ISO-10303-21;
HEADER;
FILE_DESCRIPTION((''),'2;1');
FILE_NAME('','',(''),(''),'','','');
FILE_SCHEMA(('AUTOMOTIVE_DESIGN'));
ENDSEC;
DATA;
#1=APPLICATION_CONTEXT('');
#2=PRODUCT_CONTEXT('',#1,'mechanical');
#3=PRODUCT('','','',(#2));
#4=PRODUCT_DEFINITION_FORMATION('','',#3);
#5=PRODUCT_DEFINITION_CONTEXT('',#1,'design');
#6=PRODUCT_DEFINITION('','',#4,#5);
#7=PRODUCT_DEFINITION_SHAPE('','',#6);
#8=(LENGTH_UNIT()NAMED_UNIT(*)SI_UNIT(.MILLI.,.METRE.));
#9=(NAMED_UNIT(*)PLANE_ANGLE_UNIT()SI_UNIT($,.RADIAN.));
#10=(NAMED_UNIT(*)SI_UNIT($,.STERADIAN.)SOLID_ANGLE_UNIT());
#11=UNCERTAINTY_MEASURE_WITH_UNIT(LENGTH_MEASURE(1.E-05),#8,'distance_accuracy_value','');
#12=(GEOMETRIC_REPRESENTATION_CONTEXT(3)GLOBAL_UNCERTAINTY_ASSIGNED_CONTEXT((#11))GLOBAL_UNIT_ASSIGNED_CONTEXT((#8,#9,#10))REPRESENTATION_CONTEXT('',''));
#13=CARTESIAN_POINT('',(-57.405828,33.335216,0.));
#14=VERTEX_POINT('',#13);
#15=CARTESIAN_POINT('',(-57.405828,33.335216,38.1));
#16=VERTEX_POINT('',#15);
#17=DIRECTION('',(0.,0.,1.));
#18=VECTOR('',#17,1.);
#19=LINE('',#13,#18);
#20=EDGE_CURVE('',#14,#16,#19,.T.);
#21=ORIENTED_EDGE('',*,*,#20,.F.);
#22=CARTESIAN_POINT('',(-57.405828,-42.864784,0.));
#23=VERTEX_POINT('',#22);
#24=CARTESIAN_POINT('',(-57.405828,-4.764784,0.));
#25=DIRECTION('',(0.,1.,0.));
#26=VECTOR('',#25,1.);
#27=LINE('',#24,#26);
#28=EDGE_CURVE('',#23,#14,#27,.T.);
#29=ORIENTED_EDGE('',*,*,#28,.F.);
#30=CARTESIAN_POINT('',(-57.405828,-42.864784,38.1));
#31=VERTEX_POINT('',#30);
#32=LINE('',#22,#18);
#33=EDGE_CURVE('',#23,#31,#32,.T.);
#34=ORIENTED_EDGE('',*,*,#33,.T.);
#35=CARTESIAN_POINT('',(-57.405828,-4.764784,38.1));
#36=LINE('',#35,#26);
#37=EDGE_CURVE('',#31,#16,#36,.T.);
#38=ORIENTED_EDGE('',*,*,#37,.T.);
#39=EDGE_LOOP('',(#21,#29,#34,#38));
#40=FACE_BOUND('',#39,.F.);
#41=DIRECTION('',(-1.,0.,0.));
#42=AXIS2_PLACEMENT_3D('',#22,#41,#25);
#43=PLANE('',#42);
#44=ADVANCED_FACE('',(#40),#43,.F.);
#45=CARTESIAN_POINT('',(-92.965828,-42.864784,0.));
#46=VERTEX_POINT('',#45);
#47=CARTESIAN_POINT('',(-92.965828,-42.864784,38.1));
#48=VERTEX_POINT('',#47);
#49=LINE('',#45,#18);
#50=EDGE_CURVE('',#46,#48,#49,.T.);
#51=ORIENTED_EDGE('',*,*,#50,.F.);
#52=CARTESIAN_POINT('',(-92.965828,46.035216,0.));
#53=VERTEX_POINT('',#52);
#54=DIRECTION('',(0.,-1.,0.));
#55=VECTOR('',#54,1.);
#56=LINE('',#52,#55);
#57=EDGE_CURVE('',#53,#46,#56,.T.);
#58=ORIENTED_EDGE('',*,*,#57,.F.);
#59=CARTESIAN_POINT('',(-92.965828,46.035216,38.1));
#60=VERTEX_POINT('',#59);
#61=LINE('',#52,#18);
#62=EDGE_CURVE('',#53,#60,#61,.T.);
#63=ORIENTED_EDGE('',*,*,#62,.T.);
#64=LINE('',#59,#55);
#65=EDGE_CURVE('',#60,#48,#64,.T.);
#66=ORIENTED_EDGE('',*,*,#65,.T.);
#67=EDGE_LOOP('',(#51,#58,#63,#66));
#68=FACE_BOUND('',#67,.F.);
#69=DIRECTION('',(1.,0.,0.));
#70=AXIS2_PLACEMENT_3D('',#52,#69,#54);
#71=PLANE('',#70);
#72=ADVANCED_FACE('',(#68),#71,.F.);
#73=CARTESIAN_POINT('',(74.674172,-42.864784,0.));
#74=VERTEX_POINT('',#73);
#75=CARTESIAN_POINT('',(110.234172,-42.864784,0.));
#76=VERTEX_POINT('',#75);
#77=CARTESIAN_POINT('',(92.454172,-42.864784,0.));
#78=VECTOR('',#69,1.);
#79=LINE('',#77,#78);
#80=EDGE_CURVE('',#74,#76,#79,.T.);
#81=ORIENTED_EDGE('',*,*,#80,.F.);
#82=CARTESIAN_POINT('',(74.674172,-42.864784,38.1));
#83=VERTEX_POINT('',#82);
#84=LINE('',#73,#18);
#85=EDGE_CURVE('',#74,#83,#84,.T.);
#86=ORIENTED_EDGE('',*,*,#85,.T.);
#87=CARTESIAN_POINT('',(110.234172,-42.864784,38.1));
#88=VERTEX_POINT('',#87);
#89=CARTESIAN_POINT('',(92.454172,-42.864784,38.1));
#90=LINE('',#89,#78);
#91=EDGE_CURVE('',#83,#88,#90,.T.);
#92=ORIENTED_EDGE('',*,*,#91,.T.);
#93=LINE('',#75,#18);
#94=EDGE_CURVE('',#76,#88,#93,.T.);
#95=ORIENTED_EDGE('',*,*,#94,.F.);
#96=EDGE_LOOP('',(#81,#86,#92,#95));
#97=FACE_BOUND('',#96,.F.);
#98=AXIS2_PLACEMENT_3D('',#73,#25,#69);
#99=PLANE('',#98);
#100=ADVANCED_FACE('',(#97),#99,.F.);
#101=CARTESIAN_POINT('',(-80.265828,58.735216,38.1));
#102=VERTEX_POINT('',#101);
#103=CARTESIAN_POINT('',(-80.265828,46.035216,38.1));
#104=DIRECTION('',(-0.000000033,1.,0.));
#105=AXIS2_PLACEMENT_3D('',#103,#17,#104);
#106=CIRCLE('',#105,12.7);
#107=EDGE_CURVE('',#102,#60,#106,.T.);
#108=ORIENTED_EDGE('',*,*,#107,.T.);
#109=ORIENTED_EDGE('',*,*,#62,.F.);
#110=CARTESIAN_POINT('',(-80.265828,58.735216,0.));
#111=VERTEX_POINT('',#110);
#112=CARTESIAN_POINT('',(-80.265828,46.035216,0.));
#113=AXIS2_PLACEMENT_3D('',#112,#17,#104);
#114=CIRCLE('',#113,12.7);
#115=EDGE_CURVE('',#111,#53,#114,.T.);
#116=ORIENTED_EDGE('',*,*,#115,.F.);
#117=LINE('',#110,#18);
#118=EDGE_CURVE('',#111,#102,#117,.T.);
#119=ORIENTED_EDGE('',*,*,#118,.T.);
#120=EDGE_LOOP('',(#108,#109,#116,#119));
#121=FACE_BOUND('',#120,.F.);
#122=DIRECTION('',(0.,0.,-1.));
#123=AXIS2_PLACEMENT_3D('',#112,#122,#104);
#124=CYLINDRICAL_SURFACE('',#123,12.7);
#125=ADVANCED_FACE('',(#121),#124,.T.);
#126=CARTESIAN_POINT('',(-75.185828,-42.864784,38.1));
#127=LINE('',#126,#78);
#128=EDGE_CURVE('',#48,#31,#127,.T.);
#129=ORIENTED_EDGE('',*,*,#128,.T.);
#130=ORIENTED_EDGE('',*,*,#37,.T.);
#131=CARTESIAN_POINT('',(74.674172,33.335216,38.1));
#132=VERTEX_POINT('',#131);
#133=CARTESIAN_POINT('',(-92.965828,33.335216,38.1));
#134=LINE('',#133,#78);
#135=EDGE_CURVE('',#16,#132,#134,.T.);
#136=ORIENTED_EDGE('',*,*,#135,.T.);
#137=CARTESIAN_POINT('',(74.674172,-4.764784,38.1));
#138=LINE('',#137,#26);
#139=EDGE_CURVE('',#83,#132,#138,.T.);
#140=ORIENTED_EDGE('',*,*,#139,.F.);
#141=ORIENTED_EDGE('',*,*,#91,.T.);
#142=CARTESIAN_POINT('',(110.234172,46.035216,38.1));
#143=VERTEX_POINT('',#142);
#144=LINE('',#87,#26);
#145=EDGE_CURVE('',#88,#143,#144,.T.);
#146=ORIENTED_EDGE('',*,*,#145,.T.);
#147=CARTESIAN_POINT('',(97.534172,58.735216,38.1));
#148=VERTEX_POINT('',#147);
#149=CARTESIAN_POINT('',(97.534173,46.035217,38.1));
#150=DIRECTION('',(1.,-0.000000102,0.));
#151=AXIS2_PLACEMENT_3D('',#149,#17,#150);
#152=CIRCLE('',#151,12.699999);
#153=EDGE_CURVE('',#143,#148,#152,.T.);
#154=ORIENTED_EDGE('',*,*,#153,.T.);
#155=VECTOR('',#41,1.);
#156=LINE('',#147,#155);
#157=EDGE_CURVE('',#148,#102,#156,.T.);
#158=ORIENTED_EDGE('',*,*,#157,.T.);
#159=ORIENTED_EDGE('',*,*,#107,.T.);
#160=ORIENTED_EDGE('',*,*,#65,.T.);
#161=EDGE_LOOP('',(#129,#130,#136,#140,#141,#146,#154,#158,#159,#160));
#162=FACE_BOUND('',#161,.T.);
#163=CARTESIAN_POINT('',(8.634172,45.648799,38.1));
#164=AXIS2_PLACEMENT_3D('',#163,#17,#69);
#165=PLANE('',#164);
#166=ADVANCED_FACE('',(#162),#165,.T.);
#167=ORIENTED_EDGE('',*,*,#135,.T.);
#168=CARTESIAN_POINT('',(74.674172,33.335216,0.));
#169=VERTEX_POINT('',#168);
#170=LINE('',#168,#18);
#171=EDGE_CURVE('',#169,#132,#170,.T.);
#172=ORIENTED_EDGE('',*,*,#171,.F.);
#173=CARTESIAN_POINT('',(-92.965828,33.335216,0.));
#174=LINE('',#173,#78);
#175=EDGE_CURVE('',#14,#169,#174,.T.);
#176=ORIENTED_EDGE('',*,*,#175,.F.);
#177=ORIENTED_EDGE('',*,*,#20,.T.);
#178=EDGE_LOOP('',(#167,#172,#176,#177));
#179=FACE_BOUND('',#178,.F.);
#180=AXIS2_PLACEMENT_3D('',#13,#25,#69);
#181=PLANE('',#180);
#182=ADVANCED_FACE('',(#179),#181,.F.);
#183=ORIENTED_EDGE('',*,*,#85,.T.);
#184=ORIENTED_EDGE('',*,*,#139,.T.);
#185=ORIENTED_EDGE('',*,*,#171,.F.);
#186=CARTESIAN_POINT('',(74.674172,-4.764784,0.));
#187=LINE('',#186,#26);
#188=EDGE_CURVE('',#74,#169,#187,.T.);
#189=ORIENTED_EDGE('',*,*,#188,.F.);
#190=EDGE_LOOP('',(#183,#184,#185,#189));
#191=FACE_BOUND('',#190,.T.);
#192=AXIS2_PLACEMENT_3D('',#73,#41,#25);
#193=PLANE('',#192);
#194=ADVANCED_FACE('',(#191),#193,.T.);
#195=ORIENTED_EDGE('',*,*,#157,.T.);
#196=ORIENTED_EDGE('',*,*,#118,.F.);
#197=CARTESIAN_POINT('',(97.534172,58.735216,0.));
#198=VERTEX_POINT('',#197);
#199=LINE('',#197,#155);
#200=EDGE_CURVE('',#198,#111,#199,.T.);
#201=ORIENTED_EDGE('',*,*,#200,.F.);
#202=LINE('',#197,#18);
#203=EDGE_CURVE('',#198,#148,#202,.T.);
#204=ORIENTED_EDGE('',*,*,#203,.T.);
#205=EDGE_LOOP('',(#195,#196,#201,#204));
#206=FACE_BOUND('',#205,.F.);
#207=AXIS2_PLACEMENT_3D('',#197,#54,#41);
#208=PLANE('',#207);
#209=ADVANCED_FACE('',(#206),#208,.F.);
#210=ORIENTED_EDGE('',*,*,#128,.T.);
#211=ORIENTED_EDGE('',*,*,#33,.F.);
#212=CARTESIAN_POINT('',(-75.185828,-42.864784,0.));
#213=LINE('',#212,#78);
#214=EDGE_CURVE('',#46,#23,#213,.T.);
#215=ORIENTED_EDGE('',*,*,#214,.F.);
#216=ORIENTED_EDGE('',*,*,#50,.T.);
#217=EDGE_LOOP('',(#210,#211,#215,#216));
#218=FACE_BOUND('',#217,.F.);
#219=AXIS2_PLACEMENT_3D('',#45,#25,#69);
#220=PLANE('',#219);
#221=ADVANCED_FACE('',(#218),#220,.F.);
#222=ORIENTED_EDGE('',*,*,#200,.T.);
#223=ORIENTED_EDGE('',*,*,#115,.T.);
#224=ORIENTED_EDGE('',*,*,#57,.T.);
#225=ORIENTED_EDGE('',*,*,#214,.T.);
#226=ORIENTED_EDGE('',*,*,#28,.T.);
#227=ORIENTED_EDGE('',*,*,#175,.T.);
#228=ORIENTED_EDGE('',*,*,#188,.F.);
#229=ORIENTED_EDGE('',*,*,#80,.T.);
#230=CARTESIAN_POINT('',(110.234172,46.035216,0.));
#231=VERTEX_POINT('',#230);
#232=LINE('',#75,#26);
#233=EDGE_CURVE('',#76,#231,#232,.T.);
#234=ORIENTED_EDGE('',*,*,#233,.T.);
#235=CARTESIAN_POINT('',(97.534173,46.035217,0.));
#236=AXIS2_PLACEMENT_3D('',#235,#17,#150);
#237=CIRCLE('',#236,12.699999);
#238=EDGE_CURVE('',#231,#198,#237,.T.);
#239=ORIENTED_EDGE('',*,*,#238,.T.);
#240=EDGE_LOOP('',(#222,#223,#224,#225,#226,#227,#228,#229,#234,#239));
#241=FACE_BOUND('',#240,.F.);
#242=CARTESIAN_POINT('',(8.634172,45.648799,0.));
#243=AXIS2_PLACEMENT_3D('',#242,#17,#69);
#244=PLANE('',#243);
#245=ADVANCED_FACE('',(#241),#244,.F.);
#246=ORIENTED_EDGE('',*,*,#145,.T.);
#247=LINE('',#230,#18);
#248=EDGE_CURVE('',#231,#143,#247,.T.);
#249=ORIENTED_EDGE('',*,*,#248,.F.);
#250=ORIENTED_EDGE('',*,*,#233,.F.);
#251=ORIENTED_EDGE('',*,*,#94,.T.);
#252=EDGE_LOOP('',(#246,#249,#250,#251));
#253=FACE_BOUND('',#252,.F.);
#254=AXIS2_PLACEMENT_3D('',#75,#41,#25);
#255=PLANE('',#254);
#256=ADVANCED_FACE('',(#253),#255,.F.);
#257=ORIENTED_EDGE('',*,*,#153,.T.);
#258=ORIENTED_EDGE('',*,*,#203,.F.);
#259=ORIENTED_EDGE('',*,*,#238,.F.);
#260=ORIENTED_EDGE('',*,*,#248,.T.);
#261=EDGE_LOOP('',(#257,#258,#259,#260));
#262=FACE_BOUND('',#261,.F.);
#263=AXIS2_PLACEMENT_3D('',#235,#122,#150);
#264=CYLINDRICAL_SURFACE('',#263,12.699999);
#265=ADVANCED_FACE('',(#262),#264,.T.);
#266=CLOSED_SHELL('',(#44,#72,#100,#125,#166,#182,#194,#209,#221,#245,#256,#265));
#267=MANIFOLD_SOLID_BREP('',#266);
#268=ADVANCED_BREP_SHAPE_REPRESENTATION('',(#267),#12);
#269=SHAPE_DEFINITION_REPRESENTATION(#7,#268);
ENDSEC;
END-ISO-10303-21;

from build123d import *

# Parameters (mm, degrees)
F0_W     = 35.56
F0_H     = 76.2
F1_DEPTH = 38.1


with BuildPart() as f1:
    # F0 (on Top) → F1 (new body)
    with BuildSketch(Plane.XY):
        with BuildLine():
            Line((97.534172, 58.735216), (-80.265828, 58.735216))
            ThreePointArc((-80.265828, 58.735216), (-89.246084, 55.015472), (-92.965828, 46.035216))
            Line((-92.965828, 46.035216), (-92.965828, 33.335216))
            Line((-92.965828, 33.335216), (-57.405828, 33.335216))
            Line((-57.405828, 33.335216), (74.674172, 33.335216))
            Line((74.674172, 33.335216), (110.234172, 33.335216))
            Line((110.234172, 33.335216), (110.234172, 46.035216))
            ThreePointArc((110.234172, 46.035216), (106.514429, 55.015472), (97.534172, 58.735216))
        make_face()
        with Locations((-75.185828, -4.764784)):
            Rectangle(F0_W, F0_H)
        with Locations((92.454172, -4.764784)):
            Rectangle(F0_W, F0_H)
    extrude(amount=F1_DEPTH)


solid = f1.part
